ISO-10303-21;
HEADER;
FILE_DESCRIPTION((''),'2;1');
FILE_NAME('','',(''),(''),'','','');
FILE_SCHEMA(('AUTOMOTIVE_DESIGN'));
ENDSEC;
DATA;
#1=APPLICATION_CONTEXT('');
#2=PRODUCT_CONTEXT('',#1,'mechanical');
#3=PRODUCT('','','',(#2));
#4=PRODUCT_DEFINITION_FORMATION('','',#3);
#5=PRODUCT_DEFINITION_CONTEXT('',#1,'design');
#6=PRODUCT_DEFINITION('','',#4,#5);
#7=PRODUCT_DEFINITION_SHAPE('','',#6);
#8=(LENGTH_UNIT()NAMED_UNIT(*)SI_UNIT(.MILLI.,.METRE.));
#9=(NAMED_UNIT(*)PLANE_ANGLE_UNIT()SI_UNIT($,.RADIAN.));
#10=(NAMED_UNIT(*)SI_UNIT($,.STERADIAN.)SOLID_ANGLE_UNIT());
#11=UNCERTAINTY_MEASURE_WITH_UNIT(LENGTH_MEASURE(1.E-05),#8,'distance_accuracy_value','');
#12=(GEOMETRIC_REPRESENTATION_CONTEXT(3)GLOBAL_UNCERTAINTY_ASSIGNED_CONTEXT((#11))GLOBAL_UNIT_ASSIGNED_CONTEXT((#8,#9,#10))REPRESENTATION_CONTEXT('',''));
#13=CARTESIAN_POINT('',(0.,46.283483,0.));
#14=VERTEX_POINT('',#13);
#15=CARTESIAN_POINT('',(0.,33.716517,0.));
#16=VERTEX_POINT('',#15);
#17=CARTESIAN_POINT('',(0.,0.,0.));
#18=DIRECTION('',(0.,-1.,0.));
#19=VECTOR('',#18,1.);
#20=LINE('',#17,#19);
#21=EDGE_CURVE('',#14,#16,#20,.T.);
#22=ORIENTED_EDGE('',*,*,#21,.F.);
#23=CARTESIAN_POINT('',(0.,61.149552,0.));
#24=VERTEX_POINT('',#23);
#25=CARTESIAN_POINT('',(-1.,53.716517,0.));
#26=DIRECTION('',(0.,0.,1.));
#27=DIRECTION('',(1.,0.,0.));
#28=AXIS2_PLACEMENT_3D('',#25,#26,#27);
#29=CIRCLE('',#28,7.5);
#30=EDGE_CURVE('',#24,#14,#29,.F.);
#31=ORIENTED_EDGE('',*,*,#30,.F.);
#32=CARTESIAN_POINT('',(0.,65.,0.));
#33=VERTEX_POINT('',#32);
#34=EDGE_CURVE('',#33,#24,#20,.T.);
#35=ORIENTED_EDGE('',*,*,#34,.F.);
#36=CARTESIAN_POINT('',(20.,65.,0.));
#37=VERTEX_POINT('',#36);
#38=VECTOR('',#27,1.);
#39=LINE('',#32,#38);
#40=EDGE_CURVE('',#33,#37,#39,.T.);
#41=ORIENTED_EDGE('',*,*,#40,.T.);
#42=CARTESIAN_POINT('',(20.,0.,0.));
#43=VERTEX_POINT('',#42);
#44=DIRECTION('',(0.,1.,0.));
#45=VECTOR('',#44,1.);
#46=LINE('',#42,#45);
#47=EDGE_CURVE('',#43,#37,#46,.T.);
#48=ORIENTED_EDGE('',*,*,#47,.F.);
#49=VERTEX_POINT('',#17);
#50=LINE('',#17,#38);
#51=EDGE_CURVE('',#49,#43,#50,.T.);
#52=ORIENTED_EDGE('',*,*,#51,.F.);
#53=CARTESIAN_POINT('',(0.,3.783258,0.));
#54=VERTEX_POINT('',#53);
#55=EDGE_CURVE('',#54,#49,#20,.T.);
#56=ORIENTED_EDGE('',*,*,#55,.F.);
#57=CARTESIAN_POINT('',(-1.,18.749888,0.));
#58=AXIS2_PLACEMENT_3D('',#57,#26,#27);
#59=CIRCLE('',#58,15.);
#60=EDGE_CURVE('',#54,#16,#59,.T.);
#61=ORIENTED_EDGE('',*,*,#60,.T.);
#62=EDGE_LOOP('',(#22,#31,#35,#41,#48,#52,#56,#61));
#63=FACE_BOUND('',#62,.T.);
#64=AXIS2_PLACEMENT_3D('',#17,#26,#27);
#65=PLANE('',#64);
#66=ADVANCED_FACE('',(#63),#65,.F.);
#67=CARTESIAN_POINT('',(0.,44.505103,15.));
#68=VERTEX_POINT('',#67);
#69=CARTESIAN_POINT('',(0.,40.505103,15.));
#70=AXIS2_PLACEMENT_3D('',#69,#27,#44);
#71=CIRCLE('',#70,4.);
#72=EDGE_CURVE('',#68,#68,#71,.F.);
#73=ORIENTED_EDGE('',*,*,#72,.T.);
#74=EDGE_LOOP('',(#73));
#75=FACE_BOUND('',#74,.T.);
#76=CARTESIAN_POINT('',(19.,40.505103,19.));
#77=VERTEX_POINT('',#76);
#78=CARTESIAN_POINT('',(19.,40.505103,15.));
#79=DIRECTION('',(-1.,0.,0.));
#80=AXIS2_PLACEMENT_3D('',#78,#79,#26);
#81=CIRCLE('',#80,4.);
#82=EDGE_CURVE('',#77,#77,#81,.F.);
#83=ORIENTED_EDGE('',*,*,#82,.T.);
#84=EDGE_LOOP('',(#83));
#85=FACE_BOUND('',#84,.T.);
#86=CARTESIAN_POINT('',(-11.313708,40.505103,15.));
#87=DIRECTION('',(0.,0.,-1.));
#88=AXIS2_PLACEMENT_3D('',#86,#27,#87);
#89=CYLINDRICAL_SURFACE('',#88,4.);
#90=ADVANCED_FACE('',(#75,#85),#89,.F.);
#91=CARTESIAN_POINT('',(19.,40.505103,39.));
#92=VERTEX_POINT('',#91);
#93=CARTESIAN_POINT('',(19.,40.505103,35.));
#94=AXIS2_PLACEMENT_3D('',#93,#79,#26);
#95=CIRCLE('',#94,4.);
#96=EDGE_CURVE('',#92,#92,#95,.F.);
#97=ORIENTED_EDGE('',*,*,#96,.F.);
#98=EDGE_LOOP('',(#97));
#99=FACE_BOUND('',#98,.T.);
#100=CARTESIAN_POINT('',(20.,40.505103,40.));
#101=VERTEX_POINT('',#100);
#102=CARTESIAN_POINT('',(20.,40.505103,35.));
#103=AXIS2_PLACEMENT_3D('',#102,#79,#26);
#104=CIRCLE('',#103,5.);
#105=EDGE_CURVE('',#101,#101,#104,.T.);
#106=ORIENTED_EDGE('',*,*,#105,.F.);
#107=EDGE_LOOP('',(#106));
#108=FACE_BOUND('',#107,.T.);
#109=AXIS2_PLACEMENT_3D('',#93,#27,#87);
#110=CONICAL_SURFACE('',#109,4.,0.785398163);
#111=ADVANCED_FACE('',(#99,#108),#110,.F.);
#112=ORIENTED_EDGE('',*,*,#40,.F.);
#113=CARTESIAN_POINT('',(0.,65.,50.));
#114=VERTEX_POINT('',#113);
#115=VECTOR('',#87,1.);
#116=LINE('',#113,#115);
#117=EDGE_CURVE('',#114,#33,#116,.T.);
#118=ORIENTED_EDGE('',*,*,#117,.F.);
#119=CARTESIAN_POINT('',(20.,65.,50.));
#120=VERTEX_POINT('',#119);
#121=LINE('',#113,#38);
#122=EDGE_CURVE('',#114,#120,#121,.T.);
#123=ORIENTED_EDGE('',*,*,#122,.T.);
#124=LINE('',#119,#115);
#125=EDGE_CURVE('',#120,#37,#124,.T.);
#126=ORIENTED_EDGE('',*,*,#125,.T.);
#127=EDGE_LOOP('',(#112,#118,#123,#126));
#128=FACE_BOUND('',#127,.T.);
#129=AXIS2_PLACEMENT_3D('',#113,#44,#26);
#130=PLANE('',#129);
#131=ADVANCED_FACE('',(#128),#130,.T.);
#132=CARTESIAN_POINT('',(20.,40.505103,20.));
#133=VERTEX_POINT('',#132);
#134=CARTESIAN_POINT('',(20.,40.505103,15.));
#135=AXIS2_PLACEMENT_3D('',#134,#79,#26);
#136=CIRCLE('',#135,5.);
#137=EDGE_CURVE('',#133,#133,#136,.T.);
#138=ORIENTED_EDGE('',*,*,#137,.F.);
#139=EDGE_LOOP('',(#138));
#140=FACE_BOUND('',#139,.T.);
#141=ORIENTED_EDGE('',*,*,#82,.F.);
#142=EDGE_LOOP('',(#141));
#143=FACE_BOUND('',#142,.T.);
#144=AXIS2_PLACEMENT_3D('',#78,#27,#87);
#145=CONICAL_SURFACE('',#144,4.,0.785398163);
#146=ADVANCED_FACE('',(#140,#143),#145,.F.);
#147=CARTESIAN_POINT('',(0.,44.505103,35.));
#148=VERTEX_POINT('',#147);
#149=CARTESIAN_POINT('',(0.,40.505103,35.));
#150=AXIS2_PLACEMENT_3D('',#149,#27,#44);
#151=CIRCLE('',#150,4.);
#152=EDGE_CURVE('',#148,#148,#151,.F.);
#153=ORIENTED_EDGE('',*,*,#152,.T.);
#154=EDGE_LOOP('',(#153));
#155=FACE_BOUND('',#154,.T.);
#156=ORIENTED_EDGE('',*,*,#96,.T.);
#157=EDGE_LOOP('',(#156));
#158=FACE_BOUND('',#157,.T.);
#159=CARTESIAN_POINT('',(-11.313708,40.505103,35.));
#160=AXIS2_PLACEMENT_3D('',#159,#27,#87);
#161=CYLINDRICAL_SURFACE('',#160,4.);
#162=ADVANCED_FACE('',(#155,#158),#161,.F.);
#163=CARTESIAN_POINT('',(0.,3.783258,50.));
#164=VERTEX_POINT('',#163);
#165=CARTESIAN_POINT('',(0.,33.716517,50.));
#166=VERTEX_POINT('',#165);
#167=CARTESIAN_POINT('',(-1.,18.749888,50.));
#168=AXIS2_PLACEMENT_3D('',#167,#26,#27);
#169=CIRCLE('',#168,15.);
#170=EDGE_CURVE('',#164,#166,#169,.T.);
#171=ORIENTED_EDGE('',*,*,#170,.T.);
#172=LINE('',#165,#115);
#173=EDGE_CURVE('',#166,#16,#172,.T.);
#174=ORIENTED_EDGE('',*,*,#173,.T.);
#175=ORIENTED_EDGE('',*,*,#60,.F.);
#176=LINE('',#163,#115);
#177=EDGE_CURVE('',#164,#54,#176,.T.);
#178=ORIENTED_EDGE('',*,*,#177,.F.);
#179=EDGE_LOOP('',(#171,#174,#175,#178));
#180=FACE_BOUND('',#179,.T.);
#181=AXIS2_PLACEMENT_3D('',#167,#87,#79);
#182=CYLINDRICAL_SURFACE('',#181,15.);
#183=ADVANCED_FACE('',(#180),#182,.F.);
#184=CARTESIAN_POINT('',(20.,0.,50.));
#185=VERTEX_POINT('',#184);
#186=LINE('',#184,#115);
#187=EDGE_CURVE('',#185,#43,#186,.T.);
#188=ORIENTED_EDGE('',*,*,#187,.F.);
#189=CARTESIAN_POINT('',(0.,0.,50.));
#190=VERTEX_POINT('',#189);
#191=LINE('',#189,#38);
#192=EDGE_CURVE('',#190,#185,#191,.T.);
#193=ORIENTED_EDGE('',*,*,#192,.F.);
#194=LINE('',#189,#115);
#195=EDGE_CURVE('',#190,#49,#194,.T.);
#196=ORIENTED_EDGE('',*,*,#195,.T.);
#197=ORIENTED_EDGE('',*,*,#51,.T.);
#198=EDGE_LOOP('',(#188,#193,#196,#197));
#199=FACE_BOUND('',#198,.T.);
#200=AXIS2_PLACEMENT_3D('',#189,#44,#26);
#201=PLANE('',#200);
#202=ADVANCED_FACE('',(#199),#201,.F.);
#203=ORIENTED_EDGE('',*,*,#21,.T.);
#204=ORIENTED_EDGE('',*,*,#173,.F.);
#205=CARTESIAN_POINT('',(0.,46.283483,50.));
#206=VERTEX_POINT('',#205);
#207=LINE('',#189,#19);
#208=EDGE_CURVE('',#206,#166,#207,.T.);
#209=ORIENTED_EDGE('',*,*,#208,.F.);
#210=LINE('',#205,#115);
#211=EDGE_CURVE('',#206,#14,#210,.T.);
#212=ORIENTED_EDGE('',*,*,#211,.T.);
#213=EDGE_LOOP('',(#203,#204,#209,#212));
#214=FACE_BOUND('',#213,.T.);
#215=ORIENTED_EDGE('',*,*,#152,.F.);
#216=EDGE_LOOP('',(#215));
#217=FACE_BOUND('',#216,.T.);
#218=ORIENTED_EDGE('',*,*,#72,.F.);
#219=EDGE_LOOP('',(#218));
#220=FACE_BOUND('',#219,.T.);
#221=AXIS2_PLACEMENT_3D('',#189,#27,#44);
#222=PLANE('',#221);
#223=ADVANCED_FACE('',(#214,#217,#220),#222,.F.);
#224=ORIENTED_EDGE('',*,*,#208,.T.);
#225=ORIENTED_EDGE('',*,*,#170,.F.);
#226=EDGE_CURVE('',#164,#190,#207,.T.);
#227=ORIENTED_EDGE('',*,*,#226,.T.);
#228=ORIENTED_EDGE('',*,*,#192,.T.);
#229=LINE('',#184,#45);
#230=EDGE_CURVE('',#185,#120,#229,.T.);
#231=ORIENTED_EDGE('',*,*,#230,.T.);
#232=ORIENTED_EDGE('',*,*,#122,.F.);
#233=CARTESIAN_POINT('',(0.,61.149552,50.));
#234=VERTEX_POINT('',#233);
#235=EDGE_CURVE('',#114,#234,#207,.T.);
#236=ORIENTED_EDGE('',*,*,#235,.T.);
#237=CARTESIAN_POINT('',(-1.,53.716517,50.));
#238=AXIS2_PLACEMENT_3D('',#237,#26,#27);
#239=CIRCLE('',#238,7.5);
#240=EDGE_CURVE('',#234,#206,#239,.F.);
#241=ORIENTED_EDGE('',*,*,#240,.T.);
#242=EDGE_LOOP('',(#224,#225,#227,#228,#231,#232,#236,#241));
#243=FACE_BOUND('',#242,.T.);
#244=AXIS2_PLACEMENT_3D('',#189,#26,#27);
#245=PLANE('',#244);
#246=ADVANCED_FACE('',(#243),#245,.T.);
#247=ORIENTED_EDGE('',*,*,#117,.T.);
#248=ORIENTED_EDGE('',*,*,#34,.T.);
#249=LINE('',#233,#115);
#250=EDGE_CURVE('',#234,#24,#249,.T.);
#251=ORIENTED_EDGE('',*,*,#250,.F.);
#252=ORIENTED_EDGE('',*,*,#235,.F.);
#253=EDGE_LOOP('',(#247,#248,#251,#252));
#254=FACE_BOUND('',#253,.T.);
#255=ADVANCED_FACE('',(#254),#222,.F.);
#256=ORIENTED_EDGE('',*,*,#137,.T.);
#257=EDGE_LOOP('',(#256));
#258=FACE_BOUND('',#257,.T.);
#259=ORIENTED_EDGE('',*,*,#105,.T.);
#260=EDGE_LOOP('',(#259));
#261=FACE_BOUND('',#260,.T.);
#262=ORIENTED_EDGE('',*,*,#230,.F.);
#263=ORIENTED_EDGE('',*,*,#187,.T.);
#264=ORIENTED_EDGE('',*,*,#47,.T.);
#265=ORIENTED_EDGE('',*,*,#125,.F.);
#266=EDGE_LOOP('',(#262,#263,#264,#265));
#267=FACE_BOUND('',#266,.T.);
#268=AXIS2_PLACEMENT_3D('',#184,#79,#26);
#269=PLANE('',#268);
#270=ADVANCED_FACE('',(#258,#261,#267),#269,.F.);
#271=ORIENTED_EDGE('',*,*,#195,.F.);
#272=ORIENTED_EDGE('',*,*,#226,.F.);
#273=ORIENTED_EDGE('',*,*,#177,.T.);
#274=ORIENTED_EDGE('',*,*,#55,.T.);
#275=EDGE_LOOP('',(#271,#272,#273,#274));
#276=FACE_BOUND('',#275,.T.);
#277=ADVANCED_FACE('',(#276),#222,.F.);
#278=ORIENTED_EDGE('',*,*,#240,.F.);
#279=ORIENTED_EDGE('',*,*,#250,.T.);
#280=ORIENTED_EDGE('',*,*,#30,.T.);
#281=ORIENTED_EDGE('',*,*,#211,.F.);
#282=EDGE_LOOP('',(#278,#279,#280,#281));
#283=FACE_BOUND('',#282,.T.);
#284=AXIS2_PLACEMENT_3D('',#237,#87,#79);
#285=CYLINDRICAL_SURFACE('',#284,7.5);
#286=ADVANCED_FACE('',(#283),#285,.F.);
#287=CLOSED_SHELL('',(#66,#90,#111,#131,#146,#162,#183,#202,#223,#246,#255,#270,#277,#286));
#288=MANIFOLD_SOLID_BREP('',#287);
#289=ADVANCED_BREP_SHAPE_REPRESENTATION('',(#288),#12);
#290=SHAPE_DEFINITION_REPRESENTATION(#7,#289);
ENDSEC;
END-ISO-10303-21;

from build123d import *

# Parameters (mm, degrees)
BOSS_EXTRUDE1_DEPTH = 50
SKETCH2_R           = 4
CUT_EXTRUDE1_DEPTH  = 20
CHAMFER1_SIZE       = 1


with BuildPart() as part:
    # Sketch1 → Boss-Extrude1 (new body)
    with BuildSketch(Plane.XY):
        with BuildLine():
            Line((0, 0), (20, 0))
            Line((20, 0), (20, 65))
            Line((20, 65), (0, 65))
            Line((0, 65), (0, 61.14955156))
            ThreePointArc((0, 61.14955156), (6.5, 53.716517187), (0, 46.283482813))
            Line((0, 46.283482813), (0, 33.716517187))
            ThreePointArc((0, 33.716517187), (14, 18.74988764), (0, 3.783258093))
            Line((0, 3.783258093), (0, 0))
        make_face()
    extrude(amount=BOSS_EXTRUDE1_DEPTH)

    # Sketch2 → Cut-Extrude1 (cut)
    with BuildSketch(Plane(origin=(20, 0, 0), x_dir=(0, 0, -1), z_dir=(1, 0, 0))):
        with Locations((-35, 40.505102572)):
            Circle(SKETCH2_R)
        with Locations((-15, 40.505102572)):
            Circle(SKETCH2_R)
    extrude(amount=-CUT_EXTRUDE1_DEPTH, mode=Mode.SUBTRACT)

    # Chamfer1
    chamfer1_edges = [part.edges().sort_by_distance(p)[0] for p in [
        (20, 40.505102572, 39),
        (20, 40.505102572, 19),
    ]]
    chamfer(chamfer1_edges, length=CHAMFER1_SIZE)


solid = part.part
